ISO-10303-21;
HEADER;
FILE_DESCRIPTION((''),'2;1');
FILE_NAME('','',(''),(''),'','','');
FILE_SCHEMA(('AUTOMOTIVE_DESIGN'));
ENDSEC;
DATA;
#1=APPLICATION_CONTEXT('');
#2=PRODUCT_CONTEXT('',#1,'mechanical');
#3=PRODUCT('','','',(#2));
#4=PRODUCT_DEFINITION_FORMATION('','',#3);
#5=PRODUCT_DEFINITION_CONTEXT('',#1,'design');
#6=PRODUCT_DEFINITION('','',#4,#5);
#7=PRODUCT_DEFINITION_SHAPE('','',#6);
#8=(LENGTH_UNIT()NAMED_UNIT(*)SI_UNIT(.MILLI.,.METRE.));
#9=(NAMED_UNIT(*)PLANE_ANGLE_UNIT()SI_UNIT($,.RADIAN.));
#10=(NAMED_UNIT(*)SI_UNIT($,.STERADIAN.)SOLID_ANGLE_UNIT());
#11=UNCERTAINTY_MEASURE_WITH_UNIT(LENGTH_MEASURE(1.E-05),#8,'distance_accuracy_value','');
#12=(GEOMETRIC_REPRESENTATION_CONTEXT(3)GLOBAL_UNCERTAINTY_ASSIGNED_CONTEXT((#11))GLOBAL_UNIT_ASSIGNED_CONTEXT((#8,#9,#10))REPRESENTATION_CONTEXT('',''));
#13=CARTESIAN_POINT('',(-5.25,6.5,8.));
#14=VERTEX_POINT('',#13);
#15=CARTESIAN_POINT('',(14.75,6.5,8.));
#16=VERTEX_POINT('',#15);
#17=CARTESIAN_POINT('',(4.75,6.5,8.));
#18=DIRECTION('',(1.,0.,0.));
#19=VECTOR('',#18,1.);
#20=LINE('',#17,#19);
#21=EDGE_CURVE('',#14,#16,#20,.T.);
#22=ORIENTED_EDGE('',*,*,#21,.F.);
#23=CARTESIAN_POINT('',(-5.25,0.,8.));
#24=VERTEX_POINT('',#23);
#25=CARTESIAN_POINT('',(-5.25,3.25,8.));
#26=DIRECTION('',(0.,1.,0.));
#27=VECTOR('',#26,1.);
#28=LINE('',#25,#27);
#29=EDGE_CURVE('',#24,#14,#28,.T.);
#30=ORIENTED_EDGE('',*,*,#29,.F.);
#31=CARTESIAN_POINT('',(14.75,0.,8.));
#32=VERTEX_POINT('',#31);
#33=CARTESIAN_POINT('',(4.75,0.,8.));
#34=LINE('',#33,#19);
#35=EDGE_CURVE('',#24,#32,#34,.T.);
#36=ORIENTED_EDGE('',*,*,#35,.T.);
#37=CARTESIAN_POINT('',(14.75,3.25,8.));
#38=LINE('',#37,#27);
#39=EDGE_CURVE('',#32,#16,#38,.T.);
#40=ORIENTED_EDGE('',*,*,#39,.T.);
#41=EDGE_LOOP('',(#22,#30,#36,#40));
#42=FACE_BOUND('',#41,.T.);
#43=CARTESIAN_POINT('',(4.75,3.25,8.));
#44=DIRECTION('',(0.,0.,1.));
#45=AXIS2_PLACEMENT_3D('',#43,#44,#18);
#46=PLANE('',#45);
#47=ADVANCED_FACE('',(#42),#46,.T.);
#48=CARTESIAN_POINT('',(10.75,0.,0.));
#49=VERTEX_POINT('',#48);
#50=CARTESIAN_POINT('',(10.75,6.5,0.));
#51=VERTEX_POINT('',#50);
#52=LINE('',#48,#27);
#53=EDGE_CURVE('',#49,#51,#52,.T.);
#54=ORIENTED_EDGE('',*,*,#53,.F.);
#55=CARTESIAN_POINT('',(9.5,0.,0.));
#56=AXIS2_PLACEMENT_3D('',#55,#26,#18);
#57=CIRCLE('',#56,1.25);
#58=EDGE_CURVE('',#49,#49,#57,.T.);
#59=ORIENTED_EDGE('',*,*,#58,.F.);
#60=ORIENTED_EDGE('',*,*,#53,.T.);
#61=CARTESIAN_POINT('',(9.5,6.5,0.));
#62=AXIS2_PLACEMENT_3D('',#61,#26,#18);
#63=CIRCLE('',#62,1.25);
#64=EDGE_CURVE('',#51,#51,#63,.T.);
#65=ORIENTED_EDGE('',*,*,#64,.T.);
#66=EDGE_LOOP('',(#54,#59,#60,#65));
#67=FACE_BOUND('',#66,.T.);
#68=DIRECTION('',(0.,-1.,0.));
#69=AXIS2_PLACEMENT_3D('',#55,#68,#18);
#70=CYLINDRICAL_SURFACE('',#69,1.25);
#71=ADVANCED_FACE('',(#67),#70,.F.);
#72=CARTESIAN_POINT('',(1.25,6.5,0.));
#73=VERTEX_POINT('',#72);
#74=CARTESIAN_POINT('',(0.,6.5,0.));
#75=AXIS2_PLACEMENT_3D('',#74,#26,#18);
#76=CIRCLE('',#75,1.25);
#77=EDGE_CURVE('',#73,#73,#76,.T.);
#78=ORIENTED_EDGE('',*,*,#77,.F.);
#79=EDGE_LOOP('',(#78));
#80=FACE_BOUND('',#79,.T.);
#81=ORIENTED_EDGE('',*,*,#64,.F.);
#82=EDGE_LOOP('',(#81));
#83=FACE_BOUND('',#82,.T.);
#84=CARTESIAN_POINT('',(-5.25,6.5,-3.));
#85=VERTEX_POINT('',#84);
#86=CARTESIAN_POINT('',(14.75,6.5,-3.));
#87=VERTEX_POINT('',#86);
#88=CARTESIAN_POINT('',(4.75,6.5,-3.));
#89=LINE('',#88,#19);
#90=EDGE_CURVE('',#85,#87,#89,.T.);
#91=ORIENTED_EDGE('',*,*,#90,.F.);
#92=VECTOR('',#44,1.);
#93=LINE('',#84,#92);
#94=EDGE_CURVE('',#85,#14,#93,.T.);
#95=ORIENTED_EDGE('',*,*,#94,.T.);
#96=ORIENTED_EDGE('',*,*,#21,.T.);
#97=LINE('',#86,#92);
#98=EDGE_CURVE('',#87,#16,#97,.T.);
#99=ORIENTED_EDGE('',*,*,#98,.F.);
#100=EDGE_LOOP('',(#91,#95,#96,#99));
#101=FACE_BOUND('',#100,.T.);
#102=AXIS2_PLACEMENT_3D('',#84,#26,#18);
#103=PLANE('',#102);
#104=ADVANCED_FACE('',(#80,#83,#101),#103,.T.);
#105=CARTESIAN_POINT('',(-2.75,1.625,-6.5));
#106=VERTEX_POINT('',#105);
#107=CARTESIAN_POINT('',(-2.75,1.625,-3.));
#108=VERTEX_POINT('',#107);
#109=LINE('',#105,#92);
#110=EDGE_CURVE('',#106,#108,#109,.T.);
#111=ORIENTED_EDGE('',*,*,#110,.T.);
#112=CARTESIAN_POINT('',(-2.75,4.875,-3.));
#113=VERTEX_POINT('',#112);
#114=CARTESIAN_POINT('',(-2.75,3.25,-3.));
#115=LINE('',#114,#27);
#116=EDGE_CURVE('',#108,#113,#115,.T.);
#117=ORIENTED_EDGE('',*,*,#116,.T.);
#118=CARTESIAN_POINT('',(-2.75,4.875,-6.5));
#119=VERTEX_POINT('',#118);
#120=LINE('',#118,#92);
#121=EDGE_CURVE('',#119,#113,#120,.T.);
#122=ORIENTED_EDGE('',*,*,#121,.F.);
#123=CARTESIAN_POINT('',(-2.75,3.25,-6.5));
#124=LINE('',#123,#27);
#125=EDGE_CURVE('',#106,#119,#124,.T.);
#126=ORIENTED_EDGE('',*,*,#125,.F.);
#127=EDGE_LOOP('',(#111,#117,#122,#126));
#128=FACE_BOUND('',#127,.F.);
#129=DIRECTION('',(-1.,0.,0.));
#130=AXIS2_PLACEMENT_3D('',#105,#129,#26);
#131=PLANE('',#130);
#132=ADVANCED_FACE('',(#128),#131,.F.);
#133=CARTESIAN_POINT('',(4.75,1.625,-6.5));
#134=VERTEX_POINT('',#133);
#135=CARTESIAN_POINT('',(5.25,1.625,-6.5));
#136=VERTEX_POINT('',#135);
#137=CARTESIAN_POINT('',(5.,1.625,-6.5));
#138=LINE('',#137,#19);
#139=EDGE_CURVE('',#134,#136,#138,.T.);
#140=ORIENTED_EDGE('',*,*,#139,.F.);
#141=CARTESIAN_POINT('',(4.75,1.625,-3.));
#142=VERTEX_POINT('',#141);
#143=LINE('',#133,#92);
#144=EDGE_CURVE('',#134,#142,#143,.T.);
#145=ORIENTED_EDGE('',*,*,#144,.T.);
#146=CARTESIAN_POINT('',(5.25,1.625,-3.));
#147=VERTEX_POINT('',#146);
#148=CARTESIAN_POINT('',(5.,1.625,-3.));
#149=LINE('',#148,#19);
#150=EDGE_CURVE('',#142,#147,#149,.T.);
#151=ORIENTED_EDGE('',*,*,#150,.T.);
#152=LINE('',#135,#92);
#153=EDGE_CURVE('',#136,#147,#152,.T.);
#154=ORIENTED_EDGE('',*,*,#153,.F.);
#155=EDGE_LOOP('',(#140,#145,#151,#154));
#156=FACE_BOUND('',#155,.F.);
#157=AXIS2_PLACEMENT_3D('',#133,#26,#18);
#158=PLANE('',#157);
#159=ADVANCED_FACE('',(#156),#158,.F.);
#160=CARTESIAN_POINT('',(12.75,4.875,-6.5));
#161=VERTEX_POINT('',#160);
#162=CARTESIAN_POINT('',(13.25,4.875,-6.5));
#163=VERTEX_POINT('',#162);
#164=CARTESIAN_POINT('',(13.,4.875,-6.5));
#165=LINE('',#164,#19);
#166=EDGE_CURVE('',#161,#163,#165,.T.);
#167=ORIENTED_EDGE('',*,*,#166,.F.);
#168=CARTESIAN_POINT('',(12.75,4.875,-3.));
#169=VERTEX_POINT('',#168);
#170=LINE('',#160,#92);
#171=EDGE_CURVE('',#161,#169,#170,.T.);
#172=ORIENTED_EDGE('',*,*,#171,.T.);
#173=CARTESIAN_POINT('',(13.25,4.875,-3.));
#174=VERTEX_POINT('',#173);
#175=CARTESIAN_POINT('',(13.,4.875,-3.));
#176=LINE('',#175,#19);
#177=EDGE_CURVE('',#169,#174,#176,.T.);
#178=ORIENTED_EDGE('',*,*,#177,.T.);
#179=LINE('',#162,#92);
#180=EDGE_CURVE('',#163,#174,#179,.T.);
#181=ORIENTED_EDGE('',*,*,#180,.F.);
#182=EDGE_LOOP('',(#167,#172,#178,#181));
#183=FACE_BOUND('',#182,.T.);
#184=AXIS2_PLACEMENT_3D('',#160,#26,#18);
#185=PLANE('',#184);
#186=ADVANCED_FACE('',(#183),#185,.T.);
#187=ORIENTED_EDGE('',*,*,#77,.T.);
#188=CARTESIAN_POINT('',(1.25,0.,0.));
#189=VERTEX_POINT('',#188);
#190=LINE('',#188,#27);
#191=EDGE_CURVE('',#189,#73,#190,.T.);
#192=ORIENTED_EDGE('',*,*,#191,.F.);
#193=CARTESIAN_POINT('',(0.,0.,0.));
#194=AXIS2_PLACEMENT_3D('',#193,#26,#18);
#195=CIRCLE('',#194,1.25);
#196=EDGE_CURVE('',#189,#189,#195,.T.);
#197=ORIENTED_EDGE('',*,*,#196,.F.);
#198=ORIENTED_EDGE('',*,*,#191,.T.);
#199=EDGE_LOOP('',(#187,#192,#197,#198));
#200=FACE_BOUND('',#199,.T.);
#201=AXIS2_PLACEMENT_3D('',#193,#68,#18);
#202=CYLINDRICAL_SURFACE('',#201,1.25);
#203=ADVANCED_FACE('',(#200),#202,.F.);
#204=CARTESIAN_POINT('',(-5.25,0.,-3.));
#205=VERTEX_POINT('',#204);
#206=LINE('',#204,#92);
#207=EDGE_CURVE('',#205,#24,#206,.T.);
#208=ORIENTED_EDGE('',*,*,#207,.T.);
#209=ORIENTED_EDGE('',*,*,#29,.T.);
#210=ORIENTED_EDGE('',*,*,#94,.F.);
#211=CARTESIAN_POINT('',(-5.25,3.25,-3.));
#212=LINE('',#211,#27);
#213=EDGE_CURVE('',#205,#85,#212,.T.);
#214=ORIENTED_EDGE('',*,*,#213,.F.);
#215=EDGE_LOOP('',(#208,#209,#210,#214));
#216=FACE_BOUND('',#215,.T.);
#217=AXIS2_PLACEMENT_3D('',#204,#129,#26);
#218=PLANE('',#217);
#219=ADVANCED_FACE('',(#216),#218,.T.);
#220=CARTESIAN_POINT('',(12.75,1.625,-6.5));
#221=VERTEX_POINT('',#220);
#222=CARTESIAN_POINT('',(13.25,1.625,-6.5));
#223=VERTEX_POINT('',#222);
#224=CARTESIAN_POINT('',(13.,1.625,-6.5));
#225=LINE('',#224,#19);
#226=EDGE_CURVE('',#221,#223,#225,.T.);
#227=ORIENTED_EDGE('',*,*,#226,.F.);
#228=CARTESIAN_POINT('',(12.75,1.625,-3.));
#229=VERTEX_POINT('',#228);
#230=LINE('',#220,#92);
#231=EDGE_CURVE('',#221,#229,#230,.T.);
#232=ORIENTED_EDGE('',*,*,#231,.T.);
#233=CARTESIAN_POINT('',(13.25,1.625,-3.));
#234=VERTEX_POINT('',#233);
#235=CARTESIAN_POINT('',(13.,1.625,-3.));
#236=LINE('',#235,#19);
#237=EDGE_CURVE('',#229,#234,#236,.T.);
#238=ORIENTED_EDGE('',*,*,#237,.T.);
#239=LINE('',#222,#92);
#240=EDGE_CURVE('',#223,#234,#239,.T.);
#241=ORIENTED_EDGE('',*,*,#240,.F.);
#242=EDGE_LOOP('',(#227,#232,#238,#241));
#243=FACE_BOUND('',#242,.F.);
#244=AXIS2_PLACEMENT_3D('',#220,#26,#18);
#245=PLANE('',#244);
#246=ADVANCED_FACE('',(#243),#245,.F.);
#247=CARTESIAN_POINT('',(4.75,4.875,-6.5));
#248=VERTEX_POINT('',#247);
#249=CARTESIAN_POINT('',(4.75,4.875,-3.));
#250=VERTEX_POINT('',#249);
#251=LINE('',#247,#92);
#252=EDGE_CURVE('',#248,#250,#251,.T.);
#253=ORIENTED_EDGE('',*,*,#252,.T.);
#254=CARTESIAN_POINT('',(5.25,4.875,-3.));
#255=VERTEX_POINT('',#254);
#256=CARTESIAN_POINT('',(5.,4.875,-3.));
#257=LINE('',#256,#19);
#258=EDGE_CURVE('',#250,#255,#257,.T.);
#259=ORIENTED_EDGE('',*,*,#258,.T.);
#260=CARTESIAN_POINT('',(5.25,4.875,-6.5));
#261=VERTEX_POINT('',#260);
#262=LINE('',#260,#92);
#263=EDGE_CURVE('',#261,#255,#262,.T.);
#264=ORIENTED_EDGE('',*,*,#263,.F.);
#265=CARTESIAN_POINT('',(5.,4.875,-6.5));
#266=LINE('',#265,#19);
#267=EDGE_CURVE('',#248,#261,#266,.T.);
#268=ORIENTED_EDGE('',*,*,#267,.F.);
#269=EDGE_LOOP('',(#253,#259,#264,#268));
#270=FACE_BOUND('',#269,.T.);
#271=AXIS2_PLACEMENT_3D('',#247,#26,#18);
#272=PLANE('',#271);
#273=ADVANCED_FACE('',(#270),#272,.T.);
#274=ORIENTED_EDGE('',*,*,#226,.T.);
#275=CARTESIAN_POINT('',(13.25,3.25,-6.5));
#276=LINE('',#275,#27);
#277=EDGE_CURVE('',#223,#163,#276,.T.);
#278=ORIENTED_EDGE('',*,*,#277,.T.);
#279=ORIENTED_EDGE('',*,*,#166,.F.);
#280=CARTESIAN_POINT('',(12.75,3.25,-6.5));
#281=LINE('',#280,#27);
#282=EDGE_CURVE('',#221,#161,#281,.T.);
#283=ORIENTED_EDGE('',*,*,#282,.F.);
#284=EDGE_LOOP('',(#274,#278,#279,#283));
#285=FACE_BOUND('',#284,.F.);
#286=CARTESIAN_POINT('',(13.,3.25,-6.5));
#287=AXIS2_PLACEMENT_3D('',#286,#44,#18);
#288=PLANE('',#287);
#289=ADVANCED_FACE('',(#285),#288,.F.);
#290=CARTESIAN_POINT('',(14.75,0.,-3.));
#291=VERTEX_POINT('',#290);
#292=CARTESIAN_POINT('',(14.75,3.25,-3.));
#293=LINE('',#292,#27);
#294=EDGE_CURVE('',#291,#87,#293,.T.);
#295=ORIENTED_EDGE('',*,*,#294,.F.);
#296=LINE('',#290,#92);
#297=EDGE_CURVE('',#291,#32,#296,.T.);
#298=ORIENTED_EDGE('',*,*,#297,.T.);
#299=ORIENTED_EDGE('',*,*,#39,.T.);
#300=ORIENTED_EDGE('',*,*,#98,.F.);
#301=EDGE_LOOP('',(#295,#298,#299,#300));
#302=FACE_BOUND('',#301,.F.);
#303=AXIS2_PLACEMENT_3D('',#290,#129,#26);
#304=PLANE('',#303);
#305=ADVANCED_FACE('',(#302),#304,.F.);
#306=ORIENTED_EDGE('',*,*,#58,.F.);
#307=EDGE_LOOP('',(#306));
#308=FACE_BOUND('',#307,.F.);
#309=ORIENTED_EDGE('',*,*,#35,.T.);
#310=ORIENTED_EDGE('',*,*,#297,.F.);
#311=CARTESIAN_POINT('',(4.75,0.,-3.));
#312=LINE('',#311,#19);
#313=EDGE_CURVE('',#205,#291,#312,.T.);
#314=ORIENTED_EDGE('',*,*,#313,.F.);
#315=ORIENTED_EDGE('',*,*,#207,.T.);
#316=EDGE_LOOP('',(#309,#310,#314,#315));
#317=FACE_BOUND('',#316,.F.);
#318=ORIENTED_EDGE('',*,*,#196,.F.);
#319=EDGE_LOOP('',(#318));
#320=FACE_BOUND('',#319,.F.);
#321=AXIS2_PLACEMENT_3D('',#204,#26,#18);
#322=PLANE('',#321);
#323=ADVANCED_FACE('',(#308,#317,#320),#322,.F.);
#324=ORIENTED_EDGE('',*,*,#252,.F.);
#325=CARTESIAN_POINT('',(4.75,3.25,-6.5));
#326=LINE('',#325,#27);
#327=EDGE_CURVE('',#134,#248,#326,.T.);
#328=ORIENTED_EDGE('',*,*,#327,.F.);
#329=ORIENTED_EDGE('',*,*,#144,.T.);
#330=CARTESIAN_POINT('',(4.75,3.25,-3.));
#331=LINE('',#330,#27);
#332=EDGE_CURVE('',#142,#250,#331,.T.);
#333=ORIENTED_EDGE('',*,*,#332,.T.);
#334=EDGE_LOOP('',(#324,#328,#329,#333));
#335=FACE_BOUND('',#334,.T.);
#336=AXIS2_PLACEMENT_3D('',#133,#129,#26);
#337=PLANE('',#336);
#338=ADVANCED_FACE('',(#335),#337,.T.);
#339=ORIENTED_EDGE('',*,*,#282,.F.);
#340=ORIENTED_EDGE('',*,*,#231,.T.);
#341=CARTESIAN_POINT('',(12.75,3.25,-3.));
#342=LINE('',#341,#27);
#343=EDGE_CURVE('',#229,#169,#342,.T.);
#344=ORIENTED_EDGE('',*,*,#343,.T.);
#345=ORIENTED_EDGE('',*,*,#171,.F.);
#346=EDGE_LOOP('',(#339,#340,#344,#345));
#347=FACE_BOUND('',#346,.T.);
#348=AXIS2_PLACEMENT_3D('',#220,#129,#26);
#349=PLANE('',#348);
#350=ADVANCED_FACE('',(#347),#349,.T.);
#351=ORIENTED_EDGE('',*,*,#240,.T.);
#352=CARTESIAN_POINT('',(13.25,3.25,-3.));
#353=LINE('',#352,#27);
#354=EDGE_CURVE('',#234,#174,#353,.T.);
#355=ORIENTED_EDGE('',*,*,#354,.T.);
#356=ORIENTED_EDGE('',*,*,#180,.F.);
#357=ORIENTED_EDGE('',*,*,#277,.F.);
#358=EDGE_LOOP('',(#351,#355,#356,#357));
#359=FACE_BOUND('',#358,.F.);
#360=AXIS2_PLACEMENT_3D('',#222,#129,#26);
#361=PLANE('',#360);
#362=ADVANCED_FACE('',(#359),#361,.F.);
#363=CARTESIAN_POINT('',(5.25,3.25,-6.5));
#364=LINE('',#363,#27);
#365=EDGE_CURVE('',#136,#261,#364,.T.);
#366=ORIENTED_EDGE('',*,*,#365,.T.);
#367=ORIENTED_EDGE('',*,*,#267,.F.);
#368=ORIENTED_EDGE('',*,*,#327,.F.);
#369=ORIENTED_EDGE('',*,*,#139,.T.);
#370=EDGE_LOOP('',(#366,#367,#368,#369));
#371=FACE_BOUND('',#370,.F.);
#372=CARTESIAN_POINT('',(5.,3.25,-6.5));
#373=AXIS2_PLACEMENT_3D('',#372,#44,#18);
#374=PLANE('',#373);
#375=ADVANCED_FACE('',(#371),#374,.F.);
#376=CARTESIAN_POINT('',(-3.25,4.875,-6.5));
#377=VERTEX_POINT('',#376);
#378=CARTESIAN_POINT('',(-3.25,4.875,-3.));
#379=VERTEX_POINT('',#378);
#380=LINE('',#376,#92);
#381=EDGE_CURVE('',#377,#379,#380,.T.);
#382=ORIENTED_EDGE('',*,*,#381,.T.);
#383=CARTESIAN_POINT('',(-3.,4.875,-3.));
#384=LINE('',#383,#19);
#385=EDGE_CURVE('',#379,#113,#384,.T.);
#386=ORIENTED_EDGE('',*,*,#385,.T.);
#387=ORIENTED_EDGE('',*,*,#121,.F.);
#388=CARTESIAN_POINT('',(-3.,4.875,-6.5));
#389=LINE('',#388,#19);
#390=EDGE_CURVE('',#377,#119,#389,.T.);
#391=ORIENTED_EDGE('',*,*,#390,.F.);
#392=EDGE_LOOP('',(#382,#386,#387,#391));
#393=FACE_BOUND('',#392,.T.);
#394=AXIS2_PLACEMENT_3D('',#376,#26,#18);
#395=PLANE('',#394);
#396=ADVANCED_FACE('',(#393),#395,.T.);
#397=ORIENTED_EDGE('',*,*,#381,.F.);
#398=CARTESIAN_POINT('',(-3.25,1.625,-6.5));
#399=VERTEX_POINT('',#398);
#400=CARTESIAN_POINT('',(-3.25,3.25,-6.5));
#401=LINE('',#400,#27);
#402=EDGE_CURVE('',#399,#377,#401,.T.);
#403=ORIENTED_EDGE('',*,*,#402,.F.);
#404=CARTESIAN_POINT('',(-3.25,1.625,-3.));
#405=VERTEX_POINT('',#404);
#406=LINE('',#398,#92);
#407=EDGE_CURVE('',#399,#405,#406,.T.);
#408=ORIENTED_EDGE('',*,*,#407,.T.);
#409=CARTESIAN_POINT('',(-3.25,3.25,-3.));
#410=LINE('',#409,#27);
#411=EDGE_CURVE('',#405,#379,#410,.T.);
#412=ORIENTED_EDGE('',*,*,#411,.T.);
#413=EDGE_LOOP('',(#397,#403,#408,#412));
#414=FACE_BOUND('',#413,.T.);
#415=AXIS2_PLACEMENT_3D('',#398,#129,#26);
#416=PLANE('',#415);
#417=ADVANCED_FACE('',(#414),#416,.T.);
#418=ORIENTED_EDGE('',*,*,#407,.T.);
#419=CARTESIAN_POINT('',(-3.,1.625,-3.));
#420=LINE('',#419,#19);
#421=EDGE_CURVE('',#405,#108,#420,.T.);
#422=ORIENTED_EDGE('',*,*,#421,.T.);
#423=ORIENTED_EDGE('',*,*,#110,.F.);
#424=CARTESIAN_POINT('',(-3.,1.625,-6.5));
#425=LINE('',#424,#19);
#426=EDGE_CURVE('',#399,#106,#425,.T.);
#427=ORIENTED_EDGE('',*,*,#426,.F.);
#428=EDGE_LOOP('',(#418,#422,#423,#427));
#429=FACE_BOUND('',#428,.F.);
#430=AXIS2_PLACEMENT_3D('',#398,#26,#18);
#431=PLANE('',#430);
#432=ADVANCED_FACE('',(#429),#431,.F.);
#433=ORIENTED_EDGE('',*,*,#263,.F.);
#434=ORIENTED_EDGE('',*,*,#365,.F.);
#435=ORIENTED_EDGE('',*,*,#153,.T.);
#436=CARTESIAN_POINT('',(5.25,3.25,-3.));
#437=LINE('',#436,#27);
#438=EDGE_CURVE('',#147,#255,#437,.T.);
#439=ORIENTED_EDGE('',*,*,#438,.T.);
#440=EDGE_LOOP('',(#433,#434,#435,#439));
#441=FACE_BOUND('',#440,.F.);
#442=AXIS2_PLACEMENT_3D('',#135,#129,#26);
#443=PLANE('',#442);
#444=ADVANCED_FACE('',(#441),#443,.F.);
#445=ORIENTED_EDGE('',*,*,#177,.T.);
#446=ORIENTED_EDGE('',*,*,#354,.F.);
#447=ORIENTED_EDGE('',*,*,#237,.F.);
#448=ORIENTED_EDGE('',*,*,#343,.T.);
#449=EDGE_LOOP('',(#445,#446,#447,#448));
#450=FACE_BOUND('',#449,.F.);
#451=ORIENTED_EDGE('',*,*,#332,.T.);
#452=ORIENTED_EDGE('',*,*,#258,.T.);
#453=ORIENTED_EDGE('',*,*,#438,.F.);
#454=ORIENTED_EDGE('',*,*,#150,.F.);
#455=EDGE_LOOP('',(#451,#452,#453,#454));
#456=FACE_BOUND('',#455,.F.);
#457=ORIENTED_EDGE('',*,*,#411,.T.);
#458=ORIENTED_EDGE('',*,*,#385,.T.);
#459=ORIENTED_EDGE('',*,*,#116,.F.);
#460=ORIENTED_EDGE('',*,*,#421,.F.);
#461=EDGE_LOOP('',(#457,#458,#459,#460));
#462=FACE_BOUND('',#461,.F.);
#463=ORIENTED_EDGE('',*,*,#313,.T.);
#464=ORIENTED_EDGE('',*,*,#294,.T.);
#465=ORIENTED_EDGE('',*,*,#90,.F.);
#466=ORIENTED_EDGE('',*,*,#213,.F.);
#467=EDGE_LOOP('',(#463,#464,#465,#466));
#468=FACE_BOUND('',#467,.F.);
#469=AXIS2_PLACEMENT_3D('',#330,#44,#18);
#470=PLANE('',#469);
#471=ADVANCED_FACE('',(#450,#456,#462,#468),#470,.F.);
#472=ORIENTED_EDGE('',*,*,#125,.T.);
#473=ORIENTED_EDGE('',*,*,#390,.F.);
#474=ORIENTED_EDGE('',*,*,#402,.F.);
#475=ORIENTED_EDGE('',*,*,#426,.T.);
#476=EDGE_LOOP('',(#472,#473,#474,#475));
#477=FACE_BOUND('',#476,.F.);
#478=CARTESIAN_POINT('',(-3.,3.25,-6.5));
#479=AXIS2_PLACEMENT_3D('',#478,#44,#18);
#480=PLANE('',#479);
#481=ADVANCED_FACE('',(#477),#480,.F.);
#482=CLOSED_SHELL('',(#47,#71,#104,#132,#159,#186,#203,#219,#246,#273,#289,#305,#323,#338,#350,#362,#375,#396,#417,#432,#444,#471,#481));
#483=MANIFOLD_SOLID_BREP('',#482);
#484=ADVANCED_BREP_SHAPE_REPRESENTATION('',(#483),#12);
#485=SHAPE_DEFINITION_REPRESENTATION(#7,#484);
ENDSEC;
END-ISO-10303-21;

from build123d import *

# Parameters (mm, degrees)
BOX008_W          = 0.5
BOX008_H          = 3.25
BOX008_DEPTH      = 3.5
BOX010_W          = 0.5
BOX010_H          = 3.25
BOX010_DEPTH      = 3.5
BOX009_W          = 0.5
BOX009_H          = 3.25
BOX009_DEPTH      = 3.5
CYLINDER009_R     = 1.25
CYLINDER009_DEPTH = 6.5
CYLINDER008_R     = 1.25
CYLINDER008_DEPTH = 6.5
BOX007_W          = 20
BOX007_H          = 6.5
BOX007_DEPTH      = 11


with BuildPart() as limitswitchlead001:
    # Box008 → Box008 (new body)
    with BuildSketch(Plane(origin=(4.75, 1.625, -6.5), x_dir=(1, 0, 0), z_dir=(0, 0, 1))):
        with Locations((0.25, 1.625)):
            Rectangle(BOX008_W, BOX008_H)
    extrude(amount=BOX008_DEPTH)


with BuildPart() as limitswitchlead002:
    # Box010 → Box010 (new body)
    with BuildSketch(Plane(origin=(-3.25, 1.625, -6.5), x_dir=(1, 0, 0), z_dir=(0, 0, 1))):
        with Locations((0.25, 1.625)):
            Rectangle(BOX010_W, BOX010_H)
    extrude(amount=BOX010_DEPTH)


with BuildPart() as limitswitchlead003:
    # Box009 → Box009 (new body)
    with BuildSketch(Plane(origin=(12.75, 1.625, -6.5), x_dir=(1, 0, 0), z_dir=(0, 0, 1))):
        with Locations((0.25, 1.625)):
            Rectangle(BOX009_W, BOX009_H)
    extrude(amount=BOX009_DEPTH)


with BuildPart() as limitswitchmountinghole002:
    # Cylinder009 → Cylinder009 (new body)
    with BuildSketch(Plane(origin=(9.5, 0, 0), x_dir=(1, 0, 0), z_dir=(0, 1, 0))):
        Circle(CYLINDER009_R)
    extrude(amount=CYLINDER009_DEPTH)


with BuildPart() as limitswitchmountinghole001:
    # Cylinder008 → Cylinder008 (new body)
    with BuildSketch(Plane(origin=(0, 0, 0), x_dir=(1, 0, 0), z_dir=(0, 1, 0))):
        Circle(CYLINDER008_R)
    extrude(amount=CYLINDER008_DEPTH)


with BuildPart() as limitswitch_nolever:
    # Box007 → Box007 (new body)
    with BuildSketch(Plane(origin=(-5.25, 0, -3), x_dir=(1, 0, 0), z_dir=(0, 0, 1))):
        with Locations((10, 3.25)):
            Rectangle(BOX007_W, BOX007_H)
    extrude(amount=BOX007_DEPTH)

    # Cut007: cut LimitSwitchMountingHole001
    add(limitswitchmountinghole001.part, mode=Mode.SUBTRACT)

    # Cut008: cut LimitSwitchMountingHole002
    add(limitswitchmountinghole002.part, mode=Mode.SUBTRACT)

    # Fusion005: union LimitSwitchLead001, LimitSwitchLead002, LimitSwitchLead003
    add(limitswitchlead001.part)
    add(limitswitchlead002.part)
    add(limitswitchlead003.part)


solid = limitswitch_nolever.part
